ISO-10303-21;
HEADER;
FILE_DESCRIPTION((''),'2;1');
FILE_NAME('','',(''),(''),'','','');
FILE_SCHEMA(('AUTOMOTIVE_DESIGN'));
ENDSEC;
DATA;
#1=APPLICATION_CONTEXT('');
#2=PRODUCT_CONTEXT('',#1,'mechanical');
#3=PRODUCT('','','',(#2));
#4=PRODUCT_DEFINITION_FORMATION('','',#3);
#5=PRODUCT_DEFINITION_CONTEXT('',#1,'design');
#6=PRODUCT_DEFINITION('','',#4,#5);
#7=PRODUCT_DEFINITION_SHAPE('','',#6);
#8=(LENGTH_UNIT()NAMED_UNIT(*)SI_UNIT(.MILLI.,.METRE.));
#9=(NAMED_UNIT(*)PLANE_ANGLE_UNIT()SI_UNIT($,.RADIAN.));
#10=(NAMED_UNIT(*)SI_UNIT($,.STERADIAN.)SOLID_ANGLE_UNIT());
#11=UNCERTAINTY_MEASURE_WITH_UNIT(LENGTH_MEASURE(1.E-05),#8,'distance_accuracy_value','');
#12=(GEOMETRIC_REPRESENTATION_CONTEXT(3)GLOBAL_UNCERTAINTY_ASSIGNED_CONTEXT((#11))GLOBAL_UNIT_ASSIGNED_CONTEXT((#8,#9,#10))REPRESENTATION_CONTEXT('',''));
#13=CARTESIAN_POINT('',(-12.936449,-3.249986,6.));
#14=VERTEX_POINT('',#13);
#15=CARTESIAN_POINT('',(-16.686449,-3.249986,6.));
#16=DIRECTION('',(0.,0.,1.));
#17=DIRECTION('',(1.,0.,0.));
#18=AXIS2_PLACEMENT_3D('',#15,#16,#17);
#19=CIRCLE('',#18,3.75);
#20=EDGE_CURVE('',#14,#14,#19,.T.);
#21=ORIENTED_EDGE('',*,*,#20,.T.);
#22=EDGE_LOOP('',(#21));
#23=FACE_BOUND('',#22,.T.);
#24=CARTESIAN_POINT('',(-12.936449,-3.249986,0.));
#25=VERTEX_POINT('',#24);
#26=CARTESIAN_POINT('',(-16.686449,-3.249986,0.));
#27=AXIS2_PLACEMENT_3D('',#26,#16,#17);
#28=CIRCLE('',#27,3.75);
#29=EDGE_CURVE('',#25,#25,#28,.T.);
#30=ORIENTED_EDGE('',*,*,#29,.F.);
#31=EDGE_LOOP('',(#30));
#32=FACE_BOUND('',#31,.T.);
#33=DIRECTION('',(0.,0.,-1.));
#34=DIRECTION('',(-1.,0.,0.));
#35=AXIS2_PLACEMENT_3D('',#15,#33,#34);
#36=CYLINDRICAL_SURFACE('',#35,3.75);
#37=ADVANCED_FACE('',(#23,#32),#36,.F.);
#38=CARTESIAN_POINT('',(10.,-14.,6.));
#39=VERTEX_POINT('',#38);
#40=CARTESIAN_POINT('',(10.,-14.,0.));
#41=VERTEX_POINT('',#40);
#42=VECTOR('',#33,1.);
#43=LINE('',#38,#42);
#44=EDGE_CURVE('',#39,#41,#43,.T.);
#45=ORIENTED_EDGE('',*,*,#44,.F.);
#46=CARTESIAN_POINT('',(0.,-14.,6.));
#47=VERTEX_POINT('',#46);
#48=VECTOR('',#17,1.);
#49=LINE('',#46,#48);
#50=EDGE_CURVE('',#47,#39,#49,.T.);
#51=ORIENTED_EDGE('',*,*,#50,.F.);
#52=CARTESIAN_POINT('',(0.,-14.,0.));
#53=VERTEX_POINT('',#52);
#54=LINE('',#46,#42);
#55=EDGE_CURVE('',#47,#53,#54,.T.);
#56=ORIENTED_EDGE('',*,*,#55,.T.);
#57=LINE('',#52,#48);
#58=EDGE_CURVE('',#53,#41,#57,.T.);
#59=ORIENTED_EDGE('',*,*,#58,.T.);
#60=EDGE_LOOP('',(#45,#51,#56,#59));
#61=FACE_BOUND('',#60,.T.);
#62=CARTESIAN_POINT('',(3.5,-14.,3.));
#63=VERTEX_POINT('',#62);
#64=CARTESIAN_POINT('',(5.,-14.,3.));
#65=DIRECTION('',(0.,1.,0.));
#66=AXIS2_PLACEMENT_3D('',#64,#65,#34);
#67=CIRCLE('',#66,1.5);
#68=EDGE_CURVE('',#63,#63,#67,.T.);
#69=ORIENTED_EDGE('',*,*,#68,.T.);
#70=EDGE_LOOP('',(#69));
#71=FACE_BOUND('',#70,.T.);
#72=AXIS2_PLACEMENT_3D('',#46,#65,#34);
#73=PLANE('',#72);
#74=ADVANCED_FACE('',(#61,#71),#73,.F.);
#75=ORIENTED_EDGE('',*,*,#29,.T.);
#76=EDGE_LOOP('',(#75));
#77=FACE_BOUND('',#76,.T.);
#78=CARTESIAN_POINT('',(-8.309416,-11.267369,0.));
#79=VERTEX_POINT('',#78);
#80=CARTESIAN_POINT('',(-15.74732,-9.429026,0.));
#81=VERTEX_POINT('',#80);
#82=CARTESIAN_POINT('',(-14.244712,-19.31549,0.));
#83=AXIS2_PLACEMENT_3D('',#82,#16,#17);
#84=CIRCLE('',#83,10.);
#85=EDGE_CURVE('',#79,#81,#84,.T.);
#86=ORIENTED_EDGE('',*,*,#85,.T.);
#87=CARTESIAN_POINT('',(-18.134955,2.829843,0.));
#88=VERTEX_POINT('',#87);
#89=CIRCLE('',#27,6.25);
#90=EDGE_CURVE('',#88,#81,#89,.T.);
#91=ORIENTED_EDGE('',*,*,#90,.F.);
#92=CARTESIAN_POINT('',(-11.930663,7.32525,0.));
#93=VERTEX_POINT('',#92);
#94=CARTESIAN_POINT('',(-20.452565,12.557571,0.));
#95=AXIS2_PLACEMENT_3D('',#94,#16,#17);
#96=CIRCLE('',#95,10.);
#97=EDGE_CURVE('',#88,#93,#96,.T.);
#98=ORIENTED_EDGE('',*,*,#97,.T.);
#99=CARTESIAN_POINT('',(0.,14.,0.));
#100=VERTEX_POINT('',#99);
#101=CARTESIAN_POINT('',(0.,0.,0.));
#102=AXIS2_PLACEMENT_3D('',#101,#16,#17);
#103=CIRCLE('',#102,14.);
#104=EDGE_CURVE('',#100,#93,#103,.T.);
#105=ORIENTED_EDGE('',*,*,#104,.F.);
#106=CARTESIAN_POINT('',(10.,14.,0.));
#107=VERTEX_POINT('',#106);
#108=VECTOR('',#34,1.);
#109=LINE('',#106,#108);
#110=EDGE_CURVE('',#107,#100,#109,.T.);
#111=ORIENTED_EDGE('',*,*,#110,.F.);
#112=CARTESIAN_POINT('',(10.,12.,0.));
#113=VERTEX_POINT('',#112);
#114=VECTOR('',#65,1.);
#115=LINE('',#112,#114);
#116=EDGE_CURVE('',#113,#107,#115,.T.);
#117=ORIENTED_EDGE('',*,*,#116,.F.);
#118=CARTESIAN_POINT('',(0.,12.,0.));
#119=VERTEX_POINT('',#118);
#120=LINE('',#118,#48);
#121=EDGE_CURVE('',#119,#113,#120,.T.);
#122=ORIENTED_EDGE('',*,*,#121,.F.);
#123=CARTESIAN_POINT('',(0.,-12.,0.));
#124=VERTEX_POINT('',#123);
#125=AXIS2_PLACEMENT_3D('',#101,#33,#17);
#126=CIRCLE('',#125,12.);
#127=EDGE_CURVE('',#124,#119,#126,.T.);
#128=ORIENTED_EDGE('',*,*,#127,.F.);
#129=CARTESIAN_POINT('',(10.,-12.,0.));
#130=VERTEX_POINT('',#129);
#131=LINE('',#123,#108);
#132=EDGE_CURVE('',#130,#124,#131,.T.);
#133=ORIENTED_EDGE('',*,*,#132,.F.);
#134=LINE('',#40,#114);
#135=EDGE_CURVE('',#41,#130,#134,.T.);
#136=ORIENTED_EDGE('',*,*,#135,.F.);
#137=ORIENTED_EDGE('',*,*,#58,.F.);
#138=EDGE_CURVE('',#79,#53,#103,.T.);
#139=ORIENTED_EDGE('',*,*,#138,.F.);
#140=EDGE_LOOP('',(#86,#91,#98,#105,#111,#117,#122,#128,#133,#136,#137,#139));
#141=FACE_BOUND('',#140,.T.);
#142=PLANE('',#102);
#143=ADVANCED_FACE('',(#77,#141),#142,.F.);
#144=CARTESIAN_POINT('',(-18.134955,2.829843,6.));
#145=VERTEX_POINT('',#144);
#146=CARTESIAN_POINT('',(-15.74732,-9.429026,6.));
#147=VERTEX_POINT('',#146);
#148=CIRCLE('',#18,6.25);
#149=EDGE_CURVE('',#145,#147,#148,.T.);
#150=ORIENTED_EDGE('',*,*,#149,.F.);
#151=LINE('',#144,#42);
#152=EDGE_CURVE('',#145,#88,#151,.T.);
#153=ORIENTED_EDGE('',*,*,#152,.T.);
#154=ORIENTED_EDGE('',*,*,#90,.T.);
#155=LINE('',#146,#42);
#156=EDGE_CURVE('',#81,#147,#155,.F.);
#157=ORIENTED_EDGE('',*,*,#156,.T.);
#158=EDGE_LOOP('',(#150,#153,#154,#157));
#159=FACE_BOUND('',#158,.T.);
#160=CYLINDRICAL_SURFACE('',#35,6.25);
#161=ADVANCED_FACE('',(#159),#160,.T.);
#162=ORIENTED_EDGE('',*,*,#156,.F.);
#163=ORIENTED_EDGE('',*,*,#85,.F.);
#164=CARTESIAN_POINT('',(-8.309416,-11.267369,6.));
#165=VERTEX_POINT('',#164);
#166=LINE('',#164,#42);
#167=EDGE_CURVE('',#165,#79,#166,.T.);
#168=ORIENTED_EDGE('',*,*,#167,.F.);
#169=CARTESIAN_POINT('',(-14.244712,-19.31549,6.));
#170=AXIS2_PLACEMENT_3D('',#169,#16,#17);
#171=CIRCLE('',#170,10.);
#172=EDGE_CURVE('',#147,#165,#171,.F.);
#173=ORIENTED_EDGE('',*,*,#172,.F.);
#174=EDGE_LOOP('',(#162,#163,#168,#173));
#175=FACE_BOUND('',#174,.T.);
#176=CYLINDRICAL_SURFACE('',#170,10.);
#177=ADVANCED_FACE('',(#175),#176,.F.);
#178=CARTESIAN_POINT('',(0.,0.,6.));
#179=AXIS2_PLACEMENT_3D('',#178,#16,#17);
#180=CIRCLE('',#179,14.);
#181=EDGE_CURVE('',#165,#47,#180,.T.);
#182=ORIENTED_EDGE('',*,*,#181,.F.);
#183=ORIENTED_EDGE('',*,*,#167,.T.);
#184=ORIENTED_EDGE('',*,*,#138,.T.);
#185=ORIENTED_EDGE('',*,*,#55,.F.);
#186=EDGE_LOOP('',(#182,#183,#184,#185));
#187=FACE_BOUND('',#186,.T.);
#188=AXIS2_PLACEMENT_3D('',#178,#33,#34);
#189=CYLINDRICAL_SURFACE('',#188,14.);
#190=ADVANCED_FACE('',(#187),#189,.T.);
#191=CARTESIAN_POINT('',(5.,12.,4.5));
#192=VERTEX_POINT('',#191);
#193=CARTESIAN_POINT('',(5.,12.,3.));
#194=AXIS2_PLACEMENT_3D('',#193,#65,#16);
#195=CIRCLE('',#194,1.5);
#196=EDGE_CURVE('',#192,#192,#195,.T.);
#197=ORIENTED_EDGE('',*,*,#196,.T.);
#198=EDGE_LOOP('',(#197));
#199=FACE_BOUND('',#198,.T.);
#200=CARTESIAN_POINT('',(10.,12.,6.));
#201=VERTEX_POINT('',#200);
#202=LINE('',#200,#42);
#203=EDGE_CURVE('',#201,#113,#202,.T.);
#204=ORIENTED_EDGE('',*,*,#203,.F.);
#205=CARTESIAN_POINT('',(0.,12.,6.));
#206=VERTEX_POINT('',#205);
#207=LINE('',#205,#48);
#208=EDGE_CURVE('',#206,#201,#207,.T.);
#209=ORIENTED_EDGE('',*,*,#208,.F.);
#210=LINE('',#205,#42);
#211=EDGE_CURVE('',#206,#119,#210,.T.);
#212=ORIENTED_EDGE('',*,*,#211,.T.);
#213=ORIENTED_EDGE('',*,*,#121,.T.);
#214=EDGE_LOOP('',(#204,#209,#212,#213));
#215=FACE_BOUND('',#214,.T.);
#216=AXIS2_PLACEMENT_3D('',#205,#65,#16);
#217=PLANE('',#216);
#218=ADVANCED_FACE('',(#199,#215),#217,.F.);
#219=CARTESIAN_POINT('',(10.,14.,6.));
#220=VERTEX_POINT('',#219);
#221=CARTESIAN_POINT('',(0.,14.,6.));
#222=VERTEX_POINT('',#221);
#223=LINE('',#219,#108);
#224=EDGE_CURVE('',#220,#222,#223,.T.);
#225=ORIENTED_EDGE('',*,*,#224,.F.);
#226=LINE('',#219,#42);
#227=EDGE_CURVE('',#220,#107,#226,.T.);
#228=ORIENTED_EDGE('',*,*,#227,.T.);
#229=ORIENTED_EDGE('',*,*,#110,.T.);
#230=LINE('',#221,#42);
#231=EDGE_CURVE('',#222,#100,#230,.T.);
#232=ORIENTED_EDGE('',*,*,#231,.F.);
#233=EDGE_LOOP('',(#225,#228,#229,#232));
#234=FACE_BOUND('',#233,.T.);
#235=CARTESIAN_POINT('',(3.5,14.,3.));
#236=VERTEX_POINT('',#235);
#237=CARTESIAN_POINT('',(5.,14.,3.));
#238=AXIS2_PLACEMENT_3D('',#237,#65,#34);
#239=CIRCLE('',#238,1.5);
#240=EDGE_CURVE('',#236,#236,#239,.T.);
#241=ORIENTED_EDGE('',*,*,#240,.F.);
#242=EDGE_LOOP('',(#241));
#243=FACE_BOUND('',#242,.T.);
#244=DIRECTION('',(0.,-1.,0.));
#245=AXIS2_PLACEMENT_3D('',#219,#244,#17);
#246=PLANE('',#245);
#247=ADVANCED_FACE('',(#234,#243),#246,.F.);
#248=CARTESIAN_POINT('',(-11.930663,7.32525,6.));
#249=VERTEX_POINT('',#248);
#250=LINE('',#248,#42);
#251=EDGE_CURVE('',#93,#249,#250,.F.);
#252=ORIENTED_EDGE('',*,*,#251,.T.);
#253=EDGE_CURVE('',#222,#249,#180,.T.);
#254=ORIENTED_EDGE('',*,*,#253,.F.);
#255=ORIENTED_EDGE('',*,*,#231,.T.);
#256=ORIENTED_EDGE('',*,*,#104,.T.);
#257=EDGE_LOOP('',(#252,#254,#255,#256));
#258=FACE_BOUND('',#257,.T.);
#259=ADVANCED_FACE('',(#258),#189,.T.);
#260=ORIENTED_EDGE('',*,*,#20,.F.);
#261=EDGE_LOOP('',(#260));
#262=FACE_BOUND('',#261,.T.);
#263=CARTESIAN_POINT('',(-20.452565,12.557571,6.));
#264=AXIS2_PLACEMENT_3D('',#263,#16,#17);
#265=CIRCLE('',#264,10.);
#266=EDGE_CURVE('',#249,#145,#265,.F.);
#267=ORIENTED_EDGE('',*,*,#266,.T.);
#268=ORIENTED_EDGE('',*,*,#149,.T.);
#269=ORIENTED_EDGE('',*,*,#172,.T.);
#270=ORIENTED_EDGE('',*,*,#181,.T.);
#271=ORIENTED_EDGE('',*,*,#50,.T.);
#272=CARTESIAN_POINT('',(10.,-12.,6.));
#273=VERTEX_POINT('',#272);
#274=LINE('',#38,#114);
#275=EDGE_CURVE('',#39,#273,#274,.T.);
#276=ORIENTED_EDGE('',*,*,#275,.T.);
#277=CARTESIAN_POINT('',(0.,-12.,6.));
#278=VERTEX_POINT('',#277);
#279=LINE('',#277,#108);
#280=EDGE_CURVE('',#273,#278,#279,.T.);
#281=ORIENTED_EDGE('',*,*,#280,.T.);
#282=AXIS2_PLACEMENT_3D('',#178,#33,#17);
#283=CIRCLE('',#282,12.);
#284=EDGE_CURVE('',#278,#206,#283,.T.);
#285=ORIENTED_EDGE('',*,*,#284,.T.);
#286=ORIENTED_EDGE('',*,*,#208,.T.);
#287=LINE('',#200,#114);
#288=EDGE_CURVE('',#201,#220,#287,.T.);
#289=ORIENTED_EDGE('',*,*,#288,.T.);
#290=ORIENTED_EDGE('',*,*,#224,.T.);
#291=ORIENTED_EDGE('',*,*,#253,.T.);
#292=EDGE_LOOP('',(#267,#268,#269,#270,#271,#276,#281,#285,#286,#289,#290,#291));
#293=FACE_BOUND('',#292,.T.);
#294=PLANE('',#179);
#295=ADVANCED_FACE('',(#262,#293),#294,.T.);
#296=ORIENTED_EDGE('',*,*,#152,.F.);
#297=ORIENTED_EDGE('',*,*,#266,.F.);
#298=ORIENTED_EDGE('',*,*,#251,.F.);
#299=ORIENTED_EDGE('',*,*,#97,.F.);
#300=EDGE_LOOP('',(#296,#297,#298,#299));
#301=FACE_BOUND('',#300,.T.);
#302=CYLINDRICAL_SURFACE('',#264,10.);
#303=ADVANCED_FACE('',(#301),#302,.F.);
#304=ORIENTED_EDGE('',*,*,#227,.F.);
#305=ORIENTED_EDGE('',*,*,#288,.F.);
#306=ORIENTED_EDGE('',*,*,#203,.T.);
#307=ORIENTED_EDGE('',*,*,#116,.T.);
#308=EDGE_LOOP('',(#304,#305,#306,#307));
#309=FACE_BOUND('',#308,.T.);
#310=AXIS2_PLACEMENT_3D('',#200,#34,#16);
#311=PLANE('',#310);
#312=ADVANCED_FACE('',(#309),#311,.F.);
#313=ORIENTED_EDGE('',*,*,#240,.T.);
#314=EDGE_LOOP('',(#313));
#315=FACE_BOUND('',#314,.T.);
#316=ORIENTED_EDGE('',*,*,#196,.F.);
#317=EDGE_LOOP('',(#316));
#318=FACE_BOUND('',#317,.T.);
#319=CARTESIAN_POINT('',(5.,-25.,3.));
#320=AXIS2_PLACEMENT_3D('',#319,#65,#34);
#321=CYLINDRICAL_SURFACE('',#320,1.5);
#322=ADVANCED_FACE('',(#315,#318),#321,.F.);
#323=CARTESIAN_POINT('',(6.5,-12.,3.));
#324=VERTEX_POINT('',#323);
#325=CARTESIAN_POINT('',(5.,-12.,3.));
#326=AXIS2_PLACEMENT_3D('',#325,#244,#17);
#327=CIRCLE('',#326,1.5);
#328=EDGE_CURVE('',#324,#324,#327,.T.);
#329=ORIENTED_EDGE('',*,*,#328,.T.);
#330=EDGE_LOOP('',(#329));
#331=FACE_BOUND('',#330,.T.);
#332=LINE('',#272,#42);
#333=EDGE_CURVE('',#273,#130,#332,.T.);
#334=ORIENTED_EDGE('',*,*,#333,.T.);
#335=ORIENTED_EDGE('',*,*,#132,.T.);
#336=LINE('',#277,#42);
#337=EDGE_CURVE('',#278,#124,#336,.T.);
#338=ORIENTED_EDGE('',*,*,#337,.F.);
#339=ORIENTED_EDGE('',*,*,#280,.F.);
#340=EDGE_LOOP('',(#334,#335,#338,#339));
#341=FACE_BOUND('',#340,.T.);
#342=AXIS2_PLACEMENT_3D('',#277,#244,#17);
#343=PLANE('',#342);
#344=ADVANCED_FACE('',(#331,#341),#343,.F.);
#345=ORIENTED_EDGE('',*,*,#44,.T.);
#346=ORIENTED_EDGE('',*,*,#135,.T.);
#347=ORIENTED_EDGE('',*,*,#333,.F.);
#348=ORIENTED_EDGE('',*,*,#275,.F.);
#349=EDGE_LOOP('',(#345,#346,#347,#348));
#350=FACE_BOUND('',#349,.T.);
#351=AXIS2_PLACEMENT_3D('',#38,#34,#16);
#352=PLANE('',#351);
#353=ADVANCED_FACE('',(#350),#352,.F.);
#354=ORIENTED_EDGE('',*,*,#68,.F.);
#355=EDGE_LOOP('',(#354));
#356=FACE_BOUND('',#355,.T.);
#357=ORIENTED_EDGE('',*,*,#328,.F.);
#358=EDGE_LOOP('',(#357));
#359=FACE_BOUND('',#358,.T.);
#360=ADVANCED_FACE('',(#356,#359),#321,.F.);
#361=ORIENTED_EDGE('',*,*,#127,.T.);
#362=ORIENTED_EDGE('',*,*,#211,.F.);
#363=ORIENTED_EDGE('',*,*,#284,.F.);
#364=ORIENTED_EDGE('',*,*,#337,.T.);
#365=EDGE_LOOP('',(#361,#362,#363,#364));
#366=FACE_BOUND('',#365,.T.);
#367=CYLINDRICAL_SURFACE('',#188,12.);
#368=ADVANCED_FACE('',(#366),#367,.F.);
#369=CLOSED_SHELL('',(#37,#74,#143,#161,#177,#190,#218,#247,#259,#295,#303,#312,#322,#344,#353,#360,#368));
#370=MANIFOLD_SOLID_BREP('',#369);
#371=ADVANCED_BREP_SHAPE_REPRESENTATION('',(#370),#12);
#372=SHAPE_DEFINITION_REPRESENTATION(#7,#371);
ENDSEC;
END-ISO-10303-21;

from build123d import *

# Parameters (mm, degrees)
SKETCH1_R           = 3.75
BOSS_EXTRUDE1_DEPTH = 6
SKETCH2_R           = 1.5
CUT_EXTRUDE1_DEPTH  = 39
FILLET1_R           = 10


with BuildPart() as part:
    # Sketch1 → Boss-Extrude1 (new body)
    with BuildSketch(Plane.XY):
        with BuildLine():
            Line((0, 12), (10, 12))
            Line((10, 12), (10, 14))
            Line((10, 14), (0, 14))
            ThreePointArc((0, 14), (-9.050345568, 10.681350341), (-13.809987388, 2.2987493))
            ThreePointArc((-13.809987388, 2.2987493), (-22.82117325, -4.444834248), (-11.937810072, -7.313596289))
            ThreePointArc((-11.937810072, -7.313596289), (-6.841405263, -12.214547639), (0, -14))
            Line((0, -14), (10, -14))
            Line((10, -14), (10, -12))
            Line((10, -12), (0, -12))
            ThreePointArc((0, -12), (-12, 0), (0, 12))
        make_face()
        with Locations((-16.686449258, -3.249986332)):
            Circle(SKETCH1_R, mode=Mode.SUBTRACT)
    extrude(amount=BOSS_EXTRUDE1_DEPTH)

    # Sketch2 → Cut-Extrude1 (cut)
    with BuildSketch(Plane(origin=(0, 14, 0), x_dir=(1, 0, 0), z_dir=(0, 1, 0))):
        with Locations(Location((5, -3, 0), (0, 0, 180))):
            Circle(SKETCH2_R)
    extrude(amount=-CUT_EXTRUDE1_DEPTH, mode=Mode.SUBTRACT)

    # Fillet1
    fillet1_edges = [part.edges().sort_by_distance(p)[0] for p in [
        (-11.937810072, -7.313596289, 3),
        (-13.809987388, 2.2987493, 3),
    ]]
    fillet(fillet1_edges, radius=FILLET1_R)


solid = part.part
